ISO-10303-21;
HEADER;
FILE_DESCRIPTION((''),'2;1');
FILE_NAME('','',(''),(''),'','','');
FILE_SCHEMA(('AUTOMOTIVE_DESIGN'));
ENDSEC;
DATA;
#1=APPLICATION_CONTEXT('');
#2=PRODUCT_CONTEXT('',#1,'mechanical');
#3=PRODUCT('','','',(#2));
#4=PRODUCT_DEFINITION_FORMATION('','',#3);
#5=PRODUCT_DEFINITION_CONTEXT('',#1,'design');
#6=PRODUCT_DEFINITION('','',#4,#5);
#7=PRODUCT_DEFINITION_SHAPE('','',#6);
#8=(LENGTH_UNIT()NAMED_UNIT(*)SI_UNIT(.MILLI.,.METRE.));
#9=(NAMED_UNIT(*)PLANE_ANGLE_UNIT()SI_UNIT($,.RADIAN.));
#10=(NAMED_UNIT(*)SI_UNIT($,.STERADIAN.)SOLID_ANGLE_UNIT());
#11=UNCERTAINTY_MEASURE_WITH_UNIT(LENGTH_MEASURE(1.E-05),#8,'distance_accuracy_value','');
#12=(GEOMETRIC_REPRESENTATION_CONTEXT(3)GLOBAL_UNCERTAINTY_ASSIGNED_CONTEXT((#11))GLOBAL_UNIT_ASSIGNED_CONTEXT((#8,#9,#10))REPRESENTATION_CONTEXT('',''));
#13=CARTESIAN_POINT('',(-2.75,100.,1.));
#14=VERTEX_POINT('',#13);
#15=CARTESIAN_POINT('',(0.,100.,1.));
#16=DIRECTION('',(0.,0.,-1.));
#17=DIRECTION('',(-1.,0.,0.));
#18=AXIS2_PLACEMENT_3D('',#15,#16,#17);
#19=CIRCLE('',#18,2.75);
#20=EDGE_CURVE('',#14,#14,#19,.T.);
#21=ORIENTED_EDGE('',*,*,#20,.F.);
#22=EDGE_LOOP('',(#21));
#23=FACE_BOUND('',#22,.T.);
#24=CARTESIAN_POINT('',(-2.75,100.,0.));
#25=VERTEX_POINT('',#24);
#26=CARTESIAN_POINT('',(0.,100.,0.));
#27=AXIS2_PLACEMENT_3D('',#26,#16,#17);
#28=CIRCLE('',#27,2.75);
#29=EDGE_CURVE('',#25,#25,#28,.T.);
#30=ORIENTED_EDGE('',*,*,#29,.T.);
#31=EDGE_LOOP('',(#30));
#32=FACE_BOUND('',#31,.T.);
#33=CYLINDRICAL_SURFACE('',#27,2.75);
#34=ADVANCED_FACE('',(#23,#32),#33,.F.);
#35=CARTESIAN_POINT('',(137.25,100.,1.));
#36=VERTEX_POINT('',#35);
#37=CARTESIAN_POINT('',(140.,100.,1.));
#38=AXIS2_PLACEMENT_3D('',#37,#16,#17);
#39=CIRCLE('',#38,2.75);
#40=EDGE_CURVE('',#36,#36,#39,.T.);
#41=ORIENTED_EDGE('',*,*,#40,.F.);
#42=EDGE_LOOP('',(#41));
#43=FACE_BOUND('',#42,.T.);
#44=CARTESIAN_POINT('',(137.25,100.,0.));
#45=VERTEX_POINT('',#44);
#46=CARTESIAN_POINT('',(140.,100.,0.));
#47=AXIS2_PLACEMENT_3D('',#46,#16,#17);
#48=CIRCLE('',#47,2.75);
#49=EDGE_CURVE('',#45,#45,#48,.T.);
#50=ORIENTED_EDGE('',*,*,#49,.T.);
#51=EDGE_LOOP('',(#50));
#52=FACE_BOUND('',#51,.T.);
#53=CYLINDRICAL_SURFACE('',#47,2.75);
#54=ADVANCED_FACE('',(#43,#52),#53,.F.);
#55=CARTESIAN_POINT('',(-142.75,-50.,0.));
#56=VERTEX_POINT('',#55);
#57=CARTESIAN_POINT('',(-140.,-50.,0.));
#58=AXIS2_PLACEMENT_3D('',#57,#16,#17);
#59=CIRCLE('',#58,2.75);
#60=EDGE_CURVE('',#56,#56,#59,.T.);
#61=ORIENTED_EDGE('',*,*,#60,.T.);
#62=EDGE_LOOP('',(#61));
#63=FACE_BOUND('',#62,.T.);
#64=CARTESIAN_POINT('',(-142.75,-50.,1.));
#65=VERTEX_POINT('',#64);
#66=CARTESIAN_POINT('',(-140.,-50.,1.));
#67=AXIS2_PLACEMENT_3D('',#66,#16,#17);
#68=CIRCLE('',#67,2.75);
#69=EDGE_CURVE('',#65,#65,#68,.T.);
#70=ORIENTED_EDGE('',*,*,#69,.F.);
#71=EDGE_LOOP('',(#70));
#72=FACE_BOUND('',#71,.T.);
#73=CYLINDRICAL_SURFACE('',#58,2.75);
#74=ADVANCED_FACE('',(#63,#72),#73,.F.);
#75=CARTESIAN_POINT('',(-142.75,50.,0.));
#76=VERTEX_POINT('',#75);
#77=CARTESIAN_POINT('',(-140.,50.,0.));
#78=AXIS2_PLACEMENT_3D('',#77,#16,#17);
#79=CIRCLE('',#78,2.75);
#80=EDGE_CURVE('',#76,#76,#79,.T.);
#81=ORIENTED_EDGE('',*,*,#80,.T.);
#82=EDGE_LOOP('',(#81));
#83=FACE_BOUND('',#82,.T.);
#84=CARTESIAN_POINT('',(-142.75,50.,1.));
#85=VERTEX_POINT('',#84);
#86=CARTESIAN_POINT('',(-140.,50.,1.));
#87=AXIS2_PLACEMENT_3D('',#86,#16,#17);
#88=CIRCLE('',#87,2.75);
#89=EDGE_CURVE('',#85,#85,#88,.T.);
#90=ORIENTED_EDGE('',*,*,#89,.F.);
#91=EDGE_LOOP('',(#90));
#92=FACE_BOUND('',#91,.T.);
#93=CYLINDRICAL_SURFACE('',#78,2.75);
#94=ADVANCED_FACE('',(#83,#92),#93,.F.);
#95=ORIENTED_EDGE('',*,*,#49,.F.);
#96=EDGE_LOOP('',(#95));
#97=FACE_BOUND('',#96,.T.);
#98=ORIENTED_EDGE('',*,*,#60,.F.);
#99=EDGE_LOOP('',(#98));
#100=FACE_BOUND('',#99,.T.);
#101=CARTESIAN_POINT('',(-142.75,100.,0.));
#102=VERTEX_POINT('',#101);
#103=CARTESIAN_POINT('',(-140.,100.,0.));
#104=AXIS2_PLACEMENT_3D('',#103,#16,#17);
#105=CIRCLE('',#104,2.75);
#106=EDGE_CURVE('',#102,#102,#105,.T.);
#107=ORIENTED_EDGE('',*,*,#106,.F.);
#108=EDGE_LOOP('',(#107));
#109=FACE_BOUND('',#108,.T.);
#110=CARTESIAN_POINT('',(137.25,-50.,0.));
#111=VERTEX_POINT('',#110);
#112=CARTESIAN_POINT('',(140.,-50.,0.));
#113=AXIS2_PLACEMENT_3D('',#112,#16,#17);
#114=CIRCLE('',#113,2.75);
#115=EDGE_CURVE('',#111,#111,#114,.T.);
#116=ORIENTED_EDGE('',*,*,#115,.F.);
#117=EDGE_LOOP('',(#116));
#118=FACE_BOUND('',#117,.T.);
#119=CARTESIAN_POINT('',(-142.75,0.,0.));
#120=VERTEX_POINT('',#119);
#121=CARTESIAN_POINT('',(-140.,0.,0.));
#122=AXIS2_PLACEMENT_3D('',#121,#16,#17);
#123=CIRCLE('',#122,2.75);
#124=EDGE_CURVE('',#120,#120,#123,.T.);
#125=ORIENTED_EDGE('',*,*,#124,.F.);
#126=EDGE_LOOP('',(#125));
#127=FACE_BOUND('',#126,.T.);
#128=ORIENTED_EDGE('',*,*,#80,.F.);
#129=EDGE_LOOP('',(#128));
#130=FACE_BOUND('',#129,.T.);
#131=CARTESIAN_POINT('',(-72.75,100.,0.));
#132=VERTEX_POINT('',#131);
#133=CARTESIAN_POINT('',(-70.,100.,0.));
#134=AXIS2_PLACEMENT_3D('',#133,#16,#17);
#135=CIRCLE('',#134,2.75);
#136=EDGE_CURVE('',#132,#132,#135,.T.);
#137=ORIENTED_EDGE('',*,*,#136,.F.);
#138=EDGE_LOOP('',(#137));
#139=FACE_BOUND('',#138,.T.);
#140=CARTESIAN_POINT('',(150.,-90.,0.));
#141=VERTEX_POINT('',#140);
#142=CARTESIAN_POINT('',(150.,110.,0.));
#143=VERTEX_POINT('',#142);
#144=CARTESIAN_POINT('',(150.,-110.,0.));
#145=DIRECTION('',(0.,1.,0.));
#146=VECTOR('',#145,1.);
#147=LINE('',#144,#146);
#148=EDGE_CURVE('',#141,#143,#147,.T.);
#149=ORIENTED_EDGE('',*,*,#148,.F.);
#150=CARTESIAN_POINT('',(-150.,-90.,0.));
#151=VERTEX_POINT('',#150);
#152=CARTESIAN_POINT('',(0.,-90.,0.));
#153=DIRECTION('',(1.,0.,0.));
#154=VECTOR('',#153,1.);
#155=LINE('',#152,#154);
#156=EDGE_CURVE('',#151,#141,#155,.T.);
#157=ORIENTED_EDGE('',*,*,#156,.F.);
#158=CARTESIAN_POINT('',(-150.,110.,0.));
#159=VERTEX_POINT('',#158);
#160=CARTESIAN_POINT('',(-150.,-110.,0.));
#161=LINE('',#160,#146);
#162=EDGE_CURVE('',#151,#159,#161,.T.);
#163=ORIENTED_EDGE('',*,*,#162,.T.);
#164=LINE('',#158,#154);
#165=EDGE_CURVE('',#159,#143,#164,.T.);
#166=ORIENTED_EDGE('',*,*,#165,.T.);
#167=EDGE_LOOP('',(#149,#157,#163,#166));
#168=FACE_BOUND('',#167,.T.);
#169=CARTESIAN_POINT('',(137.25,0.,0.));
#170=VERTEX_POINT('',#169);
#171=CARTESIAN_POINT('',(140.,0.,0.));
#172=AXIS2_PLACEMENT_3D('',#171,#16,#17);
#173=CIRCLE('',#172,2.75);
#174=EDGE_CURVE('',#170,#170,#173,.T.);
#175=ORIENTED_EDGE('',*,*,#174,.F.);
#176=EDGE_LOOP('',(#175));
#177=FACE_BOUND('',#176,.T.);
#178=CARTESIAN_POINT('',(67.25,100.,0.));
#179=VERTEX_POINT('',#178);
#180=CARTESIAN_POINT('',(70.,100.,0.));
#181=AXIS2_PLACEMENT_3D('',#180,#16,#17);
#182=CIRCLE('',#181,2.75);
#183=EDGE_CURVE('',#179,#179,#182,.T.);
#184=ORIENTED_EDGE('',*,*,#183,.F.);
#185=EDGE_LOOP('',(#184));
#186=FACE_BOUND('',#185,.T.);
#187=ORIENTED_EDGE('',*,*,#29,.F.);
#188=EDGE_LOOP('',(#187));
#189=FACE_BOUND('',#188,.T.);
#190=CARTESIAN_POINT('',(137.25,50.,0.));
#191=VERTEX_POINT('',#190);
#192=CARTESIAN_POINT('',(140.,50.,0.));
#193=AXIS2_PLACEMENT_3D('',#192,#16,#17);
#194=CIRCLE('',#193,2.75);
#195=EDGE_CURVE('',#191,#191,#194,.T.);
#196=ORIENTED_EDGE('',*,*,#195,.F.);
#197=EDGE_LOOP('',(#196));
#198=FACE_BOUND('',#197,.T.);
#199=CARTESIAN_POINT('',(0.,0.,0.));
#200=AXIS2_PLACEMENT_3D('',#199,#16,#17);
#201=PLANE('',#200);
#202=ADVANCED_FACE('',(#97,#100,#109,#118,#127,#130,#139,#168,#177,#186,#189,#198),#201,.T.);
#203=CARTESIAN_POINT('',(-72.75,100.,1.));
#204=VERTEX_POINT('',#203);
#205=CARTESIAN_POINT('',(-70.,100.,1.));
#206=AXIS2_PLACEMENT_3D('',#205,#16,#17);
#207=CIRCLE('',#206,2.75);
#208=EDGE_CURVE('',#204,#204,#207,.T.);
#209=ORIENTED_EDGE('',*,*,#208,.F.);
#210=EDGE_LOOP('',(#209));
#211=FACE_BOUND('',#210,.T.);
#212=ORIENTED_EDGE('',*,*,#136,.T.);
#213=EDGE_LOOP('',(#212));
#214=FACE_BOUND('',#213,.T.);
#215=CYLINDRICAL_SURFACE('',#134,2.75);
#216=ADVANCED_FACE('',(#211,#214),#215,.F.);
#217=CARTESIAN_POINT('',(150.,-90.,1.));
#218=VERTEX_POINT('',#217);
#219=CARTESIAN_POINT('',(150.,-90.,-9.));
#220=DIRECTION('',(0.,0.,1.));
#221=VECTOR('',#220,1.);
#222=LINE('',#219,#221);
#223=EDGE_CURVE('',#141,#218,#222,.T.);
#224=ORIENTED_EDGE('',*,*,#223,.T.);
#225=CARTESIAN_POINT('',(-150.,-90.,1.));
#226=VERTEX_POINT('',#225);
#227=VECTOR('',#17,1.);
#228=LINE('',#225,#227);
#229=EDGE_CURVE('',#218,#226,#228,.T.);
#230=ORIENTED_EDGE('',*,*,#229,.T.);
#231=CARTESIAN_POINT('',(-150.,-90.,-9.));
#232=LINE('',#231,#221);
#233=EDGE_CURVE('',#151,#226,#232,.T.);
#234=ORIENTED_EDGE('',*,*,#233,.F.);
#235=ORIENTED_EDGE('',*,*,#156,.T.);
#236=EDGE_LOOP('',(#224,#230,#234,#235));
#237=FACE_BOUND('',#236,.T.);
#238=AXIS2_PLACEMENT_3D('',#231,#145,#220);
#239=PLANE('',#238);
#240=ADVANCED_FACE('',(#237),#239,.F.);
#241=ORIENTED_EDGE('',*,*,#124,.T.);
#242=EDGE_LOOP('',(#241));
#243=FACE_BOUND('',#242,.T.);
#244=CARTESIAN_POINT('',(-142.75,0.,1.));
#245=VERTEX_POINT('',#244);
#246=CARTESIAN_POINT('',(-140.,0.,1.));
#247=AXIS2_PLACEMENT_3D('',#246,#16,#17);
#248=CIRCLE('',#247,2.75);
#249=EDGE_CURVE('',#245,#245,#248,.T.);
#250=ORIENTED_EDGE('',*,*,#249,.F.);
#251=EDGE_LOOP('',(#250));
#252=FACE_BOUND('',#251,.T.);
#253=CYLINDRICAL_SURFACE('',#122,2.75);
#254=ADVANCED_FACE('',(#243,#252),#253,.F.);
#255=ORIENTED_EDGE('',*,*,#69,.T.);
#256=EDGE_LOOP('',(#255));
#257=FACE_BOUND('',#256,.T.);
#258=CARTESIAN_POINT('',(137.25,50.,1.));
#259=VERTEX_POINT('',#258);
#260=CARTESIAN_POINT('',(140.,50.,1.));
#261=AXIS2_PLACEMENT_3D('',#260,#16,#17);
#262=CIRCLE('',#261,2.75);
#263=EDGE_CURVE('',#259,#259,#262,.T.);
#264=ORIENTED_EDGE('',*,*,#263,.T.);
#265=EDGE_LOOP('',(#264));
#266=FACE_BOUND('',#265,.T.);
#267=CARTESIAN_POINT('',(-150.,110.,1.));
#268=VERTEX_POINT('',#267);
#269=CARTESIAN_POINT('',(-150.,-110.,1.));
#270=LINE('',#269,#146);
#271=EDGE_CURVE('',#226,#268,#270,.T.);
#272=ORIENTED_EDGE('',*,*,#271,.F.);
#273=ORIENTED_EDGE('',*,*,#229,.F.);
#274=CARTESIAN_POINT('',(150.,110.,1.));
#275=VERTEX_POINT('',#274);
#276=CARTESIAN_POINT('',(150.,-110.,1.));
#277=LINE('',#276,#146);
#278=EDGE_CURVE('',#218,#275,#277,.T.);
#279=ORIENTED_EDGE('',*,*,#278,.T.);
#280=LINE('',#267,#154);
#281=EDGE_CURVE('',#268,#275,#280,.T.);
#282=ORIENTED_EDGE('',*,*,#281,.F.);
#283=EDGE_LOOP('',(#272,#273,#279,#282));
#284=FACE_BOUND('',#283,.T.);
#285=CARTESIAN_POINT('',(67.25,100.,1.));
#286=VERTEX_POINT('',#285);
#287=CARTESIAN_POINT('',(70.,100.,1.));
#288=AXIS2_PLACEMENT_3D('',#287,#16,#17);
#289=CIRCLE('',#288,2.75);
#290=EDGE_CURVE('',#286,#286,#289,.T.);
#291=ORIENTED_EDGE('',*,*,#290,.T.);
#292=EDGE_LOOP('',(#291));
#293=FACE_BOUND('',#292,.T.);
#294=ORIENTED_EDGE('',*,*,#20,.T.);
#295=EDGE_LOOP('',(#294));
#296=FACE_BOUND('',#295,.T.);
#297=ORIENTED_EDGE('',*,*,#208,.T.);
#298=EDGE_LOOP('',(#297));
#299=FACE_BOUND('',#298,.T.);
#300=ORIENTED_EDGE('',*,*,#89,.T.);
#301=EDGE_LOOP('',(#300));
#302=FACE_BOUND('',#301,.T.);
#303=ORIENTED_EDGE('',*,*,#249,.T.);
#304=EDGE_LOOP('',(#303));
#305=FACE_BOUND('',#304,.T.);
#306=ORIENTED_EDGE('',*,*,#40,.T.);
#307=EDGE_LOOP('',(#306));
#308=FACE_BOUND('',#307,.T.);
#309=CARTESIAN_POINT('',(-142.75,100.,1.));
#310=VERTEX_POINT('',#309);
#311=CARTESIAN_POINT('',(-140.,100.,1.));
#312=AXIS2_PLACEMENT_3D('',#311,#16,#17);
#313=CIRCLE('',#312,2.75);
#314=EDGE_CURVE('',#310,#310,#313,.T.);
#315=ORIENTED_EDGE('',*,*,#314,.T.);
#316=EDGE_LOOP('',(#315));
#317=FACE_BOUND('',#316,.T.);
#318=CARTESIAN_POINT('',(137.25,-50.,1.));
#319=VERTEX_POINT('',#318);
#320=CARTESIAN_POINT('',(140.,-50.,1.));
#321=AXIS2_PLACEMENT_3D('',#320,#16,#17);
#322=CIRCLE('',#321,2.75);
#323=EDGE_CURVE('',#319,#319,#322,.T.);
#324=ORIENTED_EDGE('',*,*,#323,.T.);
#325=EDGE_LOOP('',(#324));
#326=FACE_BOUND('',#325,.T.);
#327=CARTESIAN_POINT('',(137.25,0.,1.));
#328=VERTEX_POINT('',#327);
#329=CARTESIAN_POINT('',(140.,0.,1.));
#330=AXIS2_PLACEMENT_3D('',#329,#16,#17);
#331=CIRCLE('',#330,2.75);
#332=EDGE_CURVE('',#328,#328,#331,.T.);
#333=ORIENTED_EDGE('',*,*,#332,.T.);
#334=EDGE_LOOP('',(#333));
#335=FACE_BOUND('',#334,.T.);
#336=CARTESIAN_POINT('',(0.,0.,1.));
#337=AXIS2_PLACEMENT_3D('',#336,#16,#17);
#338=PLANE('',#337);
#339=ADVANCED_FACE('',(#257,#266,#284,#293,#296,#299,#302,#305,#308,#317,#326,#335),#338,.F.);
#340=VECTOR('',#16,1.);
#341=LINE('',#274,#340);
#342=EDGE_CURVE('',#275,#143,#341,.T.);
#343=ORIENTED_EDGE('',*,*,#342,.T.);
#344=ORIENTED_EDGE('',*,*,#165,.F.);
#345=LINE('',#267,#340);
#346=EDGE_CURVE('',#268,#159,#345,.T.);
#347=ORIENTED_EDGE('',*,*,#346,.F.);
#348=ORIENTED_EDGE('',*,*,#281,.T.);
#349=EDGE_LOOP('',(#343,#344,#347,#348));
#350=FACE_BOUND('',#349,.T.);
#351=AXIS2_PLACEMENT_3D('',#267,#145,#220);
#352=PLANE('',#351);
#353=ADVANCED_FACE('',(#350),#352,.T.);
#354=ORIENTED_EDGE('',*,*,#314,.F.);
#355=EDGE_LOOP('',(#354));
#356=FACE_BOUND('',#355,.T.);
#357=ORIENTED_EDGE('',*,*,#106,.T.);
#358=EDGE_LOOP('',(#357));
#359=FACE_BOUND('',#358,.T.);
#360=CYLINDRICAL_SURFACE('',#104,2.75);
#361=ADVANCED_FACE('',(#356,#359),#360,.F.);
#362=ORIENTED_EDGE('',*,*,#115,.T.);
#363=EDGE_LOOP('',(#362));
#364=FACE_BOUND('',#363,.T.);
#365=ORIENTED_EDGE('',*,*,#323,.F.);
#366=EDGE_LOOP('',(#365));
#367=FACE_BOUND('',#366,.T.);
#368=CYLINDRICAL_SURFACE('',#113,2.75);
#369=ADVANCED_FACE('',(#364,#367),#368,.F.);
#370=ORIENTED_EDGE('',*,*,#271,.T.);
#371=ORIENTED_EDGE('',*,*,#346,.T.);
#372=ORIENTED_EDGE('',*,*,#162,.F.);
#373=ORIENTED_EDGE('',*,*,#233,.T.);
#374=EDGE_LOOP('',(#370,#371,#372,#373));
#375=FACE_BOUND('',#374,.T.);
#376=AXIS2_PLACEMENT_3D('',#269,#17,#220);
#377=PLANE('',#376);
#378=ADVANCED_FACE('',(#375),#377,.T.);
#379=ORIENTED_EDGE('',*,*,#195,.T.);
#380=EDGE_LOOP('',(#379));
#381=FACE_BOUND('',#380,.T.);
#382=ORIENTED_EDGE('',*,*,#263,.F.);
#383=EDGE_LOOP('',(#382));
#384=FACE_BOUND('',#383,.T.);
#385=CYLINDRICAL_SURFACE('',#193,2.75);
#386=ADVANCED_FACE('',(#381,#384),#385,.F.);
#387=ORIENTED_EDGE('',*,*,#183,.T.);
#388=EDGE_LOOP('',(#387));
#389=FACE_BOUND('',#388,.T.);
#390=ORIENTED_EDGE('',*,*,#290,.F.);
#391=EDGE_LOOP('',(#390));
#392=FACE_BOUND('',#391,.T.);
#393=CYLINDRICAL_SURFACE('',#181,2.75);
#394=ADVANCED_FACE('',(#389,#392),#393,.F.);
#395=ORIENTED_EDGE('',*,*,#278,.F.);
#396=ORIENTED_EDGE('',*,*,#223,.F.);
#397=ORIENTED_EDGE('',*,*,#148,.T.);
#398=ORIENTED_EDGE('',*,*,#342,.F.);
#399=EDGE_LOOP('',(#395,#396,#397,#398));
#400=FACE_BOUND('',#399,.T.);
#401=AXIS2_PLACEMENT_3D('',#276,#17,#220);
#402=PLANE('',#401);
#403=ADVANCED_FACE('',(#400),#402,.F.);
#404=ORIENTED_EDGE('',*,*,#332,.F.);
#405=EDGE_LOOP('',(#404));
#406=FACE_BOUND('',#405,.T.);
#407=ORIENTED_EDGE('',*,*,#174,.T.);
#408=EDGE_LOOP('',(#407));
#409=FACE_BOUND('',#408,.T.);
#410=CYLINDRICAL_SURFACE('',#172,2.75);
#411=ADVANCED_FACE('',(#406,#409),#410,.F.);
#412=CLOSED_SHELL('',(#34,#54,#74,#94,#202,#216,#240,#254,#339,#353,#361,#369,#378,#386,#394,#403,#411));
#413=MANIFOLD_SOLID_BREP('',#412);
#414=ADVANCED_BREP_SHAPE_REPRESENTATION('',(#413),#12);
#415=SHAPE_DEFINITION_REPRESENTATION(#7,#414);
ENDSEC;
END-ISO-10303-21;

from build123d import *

# Parameters (mm, degrees)
SKETCH_1_W          = 300
SKETCH_1_H          = 220
EXTRUDE_1_DEPTH     = 1
HOLE_WIZARD_M5_1_D  = 5.5
SKETCH_4_W          = 300
SKETCH_4_H          = 20
CUT_EXTRUDE_1_DEPTH = 10


with BuildPart() as part:
    # 스케치1 → 보스-돌출1 (new body)
    with BuildSketch(Plane.XY):
        Rectangle(SKETCH_1_W, SKETCH_1_H)
    extrude(amount=EXTRUDE_1_DEPTH)

    # M5 여유 구멍1 (through all)
    with Locations(Plane(origin=(0, 0, 0), x_dir=(-1, 0, 0), z_dir=(0, 0, -1))):
        with Locations((-140, 100), (-70, 100), (70, 100), (0, 100), (140, 100), (140, 50), (140, -50), (140, 0), (140, -100), (-140, 50), (-140, -50), (-140, 0), (-140, -100), (-70, -100), (70, -100), (0, -100)):
            Hole(HOLE_WIZARD_M5_1_D / 2)

    # 스케치4 → 컷-돌출1 (cut)
    with BuildSketch(Plane.XY.offset(1)):
        with Locations((0, -100)):
            Rectangle(SKETCH_4_W, SKETCH_4_H)
    extrude(amount=-CUT_EXTRUDE_1_DEPTH, mode=Mode.SUBTRACT)


solid = part.part
